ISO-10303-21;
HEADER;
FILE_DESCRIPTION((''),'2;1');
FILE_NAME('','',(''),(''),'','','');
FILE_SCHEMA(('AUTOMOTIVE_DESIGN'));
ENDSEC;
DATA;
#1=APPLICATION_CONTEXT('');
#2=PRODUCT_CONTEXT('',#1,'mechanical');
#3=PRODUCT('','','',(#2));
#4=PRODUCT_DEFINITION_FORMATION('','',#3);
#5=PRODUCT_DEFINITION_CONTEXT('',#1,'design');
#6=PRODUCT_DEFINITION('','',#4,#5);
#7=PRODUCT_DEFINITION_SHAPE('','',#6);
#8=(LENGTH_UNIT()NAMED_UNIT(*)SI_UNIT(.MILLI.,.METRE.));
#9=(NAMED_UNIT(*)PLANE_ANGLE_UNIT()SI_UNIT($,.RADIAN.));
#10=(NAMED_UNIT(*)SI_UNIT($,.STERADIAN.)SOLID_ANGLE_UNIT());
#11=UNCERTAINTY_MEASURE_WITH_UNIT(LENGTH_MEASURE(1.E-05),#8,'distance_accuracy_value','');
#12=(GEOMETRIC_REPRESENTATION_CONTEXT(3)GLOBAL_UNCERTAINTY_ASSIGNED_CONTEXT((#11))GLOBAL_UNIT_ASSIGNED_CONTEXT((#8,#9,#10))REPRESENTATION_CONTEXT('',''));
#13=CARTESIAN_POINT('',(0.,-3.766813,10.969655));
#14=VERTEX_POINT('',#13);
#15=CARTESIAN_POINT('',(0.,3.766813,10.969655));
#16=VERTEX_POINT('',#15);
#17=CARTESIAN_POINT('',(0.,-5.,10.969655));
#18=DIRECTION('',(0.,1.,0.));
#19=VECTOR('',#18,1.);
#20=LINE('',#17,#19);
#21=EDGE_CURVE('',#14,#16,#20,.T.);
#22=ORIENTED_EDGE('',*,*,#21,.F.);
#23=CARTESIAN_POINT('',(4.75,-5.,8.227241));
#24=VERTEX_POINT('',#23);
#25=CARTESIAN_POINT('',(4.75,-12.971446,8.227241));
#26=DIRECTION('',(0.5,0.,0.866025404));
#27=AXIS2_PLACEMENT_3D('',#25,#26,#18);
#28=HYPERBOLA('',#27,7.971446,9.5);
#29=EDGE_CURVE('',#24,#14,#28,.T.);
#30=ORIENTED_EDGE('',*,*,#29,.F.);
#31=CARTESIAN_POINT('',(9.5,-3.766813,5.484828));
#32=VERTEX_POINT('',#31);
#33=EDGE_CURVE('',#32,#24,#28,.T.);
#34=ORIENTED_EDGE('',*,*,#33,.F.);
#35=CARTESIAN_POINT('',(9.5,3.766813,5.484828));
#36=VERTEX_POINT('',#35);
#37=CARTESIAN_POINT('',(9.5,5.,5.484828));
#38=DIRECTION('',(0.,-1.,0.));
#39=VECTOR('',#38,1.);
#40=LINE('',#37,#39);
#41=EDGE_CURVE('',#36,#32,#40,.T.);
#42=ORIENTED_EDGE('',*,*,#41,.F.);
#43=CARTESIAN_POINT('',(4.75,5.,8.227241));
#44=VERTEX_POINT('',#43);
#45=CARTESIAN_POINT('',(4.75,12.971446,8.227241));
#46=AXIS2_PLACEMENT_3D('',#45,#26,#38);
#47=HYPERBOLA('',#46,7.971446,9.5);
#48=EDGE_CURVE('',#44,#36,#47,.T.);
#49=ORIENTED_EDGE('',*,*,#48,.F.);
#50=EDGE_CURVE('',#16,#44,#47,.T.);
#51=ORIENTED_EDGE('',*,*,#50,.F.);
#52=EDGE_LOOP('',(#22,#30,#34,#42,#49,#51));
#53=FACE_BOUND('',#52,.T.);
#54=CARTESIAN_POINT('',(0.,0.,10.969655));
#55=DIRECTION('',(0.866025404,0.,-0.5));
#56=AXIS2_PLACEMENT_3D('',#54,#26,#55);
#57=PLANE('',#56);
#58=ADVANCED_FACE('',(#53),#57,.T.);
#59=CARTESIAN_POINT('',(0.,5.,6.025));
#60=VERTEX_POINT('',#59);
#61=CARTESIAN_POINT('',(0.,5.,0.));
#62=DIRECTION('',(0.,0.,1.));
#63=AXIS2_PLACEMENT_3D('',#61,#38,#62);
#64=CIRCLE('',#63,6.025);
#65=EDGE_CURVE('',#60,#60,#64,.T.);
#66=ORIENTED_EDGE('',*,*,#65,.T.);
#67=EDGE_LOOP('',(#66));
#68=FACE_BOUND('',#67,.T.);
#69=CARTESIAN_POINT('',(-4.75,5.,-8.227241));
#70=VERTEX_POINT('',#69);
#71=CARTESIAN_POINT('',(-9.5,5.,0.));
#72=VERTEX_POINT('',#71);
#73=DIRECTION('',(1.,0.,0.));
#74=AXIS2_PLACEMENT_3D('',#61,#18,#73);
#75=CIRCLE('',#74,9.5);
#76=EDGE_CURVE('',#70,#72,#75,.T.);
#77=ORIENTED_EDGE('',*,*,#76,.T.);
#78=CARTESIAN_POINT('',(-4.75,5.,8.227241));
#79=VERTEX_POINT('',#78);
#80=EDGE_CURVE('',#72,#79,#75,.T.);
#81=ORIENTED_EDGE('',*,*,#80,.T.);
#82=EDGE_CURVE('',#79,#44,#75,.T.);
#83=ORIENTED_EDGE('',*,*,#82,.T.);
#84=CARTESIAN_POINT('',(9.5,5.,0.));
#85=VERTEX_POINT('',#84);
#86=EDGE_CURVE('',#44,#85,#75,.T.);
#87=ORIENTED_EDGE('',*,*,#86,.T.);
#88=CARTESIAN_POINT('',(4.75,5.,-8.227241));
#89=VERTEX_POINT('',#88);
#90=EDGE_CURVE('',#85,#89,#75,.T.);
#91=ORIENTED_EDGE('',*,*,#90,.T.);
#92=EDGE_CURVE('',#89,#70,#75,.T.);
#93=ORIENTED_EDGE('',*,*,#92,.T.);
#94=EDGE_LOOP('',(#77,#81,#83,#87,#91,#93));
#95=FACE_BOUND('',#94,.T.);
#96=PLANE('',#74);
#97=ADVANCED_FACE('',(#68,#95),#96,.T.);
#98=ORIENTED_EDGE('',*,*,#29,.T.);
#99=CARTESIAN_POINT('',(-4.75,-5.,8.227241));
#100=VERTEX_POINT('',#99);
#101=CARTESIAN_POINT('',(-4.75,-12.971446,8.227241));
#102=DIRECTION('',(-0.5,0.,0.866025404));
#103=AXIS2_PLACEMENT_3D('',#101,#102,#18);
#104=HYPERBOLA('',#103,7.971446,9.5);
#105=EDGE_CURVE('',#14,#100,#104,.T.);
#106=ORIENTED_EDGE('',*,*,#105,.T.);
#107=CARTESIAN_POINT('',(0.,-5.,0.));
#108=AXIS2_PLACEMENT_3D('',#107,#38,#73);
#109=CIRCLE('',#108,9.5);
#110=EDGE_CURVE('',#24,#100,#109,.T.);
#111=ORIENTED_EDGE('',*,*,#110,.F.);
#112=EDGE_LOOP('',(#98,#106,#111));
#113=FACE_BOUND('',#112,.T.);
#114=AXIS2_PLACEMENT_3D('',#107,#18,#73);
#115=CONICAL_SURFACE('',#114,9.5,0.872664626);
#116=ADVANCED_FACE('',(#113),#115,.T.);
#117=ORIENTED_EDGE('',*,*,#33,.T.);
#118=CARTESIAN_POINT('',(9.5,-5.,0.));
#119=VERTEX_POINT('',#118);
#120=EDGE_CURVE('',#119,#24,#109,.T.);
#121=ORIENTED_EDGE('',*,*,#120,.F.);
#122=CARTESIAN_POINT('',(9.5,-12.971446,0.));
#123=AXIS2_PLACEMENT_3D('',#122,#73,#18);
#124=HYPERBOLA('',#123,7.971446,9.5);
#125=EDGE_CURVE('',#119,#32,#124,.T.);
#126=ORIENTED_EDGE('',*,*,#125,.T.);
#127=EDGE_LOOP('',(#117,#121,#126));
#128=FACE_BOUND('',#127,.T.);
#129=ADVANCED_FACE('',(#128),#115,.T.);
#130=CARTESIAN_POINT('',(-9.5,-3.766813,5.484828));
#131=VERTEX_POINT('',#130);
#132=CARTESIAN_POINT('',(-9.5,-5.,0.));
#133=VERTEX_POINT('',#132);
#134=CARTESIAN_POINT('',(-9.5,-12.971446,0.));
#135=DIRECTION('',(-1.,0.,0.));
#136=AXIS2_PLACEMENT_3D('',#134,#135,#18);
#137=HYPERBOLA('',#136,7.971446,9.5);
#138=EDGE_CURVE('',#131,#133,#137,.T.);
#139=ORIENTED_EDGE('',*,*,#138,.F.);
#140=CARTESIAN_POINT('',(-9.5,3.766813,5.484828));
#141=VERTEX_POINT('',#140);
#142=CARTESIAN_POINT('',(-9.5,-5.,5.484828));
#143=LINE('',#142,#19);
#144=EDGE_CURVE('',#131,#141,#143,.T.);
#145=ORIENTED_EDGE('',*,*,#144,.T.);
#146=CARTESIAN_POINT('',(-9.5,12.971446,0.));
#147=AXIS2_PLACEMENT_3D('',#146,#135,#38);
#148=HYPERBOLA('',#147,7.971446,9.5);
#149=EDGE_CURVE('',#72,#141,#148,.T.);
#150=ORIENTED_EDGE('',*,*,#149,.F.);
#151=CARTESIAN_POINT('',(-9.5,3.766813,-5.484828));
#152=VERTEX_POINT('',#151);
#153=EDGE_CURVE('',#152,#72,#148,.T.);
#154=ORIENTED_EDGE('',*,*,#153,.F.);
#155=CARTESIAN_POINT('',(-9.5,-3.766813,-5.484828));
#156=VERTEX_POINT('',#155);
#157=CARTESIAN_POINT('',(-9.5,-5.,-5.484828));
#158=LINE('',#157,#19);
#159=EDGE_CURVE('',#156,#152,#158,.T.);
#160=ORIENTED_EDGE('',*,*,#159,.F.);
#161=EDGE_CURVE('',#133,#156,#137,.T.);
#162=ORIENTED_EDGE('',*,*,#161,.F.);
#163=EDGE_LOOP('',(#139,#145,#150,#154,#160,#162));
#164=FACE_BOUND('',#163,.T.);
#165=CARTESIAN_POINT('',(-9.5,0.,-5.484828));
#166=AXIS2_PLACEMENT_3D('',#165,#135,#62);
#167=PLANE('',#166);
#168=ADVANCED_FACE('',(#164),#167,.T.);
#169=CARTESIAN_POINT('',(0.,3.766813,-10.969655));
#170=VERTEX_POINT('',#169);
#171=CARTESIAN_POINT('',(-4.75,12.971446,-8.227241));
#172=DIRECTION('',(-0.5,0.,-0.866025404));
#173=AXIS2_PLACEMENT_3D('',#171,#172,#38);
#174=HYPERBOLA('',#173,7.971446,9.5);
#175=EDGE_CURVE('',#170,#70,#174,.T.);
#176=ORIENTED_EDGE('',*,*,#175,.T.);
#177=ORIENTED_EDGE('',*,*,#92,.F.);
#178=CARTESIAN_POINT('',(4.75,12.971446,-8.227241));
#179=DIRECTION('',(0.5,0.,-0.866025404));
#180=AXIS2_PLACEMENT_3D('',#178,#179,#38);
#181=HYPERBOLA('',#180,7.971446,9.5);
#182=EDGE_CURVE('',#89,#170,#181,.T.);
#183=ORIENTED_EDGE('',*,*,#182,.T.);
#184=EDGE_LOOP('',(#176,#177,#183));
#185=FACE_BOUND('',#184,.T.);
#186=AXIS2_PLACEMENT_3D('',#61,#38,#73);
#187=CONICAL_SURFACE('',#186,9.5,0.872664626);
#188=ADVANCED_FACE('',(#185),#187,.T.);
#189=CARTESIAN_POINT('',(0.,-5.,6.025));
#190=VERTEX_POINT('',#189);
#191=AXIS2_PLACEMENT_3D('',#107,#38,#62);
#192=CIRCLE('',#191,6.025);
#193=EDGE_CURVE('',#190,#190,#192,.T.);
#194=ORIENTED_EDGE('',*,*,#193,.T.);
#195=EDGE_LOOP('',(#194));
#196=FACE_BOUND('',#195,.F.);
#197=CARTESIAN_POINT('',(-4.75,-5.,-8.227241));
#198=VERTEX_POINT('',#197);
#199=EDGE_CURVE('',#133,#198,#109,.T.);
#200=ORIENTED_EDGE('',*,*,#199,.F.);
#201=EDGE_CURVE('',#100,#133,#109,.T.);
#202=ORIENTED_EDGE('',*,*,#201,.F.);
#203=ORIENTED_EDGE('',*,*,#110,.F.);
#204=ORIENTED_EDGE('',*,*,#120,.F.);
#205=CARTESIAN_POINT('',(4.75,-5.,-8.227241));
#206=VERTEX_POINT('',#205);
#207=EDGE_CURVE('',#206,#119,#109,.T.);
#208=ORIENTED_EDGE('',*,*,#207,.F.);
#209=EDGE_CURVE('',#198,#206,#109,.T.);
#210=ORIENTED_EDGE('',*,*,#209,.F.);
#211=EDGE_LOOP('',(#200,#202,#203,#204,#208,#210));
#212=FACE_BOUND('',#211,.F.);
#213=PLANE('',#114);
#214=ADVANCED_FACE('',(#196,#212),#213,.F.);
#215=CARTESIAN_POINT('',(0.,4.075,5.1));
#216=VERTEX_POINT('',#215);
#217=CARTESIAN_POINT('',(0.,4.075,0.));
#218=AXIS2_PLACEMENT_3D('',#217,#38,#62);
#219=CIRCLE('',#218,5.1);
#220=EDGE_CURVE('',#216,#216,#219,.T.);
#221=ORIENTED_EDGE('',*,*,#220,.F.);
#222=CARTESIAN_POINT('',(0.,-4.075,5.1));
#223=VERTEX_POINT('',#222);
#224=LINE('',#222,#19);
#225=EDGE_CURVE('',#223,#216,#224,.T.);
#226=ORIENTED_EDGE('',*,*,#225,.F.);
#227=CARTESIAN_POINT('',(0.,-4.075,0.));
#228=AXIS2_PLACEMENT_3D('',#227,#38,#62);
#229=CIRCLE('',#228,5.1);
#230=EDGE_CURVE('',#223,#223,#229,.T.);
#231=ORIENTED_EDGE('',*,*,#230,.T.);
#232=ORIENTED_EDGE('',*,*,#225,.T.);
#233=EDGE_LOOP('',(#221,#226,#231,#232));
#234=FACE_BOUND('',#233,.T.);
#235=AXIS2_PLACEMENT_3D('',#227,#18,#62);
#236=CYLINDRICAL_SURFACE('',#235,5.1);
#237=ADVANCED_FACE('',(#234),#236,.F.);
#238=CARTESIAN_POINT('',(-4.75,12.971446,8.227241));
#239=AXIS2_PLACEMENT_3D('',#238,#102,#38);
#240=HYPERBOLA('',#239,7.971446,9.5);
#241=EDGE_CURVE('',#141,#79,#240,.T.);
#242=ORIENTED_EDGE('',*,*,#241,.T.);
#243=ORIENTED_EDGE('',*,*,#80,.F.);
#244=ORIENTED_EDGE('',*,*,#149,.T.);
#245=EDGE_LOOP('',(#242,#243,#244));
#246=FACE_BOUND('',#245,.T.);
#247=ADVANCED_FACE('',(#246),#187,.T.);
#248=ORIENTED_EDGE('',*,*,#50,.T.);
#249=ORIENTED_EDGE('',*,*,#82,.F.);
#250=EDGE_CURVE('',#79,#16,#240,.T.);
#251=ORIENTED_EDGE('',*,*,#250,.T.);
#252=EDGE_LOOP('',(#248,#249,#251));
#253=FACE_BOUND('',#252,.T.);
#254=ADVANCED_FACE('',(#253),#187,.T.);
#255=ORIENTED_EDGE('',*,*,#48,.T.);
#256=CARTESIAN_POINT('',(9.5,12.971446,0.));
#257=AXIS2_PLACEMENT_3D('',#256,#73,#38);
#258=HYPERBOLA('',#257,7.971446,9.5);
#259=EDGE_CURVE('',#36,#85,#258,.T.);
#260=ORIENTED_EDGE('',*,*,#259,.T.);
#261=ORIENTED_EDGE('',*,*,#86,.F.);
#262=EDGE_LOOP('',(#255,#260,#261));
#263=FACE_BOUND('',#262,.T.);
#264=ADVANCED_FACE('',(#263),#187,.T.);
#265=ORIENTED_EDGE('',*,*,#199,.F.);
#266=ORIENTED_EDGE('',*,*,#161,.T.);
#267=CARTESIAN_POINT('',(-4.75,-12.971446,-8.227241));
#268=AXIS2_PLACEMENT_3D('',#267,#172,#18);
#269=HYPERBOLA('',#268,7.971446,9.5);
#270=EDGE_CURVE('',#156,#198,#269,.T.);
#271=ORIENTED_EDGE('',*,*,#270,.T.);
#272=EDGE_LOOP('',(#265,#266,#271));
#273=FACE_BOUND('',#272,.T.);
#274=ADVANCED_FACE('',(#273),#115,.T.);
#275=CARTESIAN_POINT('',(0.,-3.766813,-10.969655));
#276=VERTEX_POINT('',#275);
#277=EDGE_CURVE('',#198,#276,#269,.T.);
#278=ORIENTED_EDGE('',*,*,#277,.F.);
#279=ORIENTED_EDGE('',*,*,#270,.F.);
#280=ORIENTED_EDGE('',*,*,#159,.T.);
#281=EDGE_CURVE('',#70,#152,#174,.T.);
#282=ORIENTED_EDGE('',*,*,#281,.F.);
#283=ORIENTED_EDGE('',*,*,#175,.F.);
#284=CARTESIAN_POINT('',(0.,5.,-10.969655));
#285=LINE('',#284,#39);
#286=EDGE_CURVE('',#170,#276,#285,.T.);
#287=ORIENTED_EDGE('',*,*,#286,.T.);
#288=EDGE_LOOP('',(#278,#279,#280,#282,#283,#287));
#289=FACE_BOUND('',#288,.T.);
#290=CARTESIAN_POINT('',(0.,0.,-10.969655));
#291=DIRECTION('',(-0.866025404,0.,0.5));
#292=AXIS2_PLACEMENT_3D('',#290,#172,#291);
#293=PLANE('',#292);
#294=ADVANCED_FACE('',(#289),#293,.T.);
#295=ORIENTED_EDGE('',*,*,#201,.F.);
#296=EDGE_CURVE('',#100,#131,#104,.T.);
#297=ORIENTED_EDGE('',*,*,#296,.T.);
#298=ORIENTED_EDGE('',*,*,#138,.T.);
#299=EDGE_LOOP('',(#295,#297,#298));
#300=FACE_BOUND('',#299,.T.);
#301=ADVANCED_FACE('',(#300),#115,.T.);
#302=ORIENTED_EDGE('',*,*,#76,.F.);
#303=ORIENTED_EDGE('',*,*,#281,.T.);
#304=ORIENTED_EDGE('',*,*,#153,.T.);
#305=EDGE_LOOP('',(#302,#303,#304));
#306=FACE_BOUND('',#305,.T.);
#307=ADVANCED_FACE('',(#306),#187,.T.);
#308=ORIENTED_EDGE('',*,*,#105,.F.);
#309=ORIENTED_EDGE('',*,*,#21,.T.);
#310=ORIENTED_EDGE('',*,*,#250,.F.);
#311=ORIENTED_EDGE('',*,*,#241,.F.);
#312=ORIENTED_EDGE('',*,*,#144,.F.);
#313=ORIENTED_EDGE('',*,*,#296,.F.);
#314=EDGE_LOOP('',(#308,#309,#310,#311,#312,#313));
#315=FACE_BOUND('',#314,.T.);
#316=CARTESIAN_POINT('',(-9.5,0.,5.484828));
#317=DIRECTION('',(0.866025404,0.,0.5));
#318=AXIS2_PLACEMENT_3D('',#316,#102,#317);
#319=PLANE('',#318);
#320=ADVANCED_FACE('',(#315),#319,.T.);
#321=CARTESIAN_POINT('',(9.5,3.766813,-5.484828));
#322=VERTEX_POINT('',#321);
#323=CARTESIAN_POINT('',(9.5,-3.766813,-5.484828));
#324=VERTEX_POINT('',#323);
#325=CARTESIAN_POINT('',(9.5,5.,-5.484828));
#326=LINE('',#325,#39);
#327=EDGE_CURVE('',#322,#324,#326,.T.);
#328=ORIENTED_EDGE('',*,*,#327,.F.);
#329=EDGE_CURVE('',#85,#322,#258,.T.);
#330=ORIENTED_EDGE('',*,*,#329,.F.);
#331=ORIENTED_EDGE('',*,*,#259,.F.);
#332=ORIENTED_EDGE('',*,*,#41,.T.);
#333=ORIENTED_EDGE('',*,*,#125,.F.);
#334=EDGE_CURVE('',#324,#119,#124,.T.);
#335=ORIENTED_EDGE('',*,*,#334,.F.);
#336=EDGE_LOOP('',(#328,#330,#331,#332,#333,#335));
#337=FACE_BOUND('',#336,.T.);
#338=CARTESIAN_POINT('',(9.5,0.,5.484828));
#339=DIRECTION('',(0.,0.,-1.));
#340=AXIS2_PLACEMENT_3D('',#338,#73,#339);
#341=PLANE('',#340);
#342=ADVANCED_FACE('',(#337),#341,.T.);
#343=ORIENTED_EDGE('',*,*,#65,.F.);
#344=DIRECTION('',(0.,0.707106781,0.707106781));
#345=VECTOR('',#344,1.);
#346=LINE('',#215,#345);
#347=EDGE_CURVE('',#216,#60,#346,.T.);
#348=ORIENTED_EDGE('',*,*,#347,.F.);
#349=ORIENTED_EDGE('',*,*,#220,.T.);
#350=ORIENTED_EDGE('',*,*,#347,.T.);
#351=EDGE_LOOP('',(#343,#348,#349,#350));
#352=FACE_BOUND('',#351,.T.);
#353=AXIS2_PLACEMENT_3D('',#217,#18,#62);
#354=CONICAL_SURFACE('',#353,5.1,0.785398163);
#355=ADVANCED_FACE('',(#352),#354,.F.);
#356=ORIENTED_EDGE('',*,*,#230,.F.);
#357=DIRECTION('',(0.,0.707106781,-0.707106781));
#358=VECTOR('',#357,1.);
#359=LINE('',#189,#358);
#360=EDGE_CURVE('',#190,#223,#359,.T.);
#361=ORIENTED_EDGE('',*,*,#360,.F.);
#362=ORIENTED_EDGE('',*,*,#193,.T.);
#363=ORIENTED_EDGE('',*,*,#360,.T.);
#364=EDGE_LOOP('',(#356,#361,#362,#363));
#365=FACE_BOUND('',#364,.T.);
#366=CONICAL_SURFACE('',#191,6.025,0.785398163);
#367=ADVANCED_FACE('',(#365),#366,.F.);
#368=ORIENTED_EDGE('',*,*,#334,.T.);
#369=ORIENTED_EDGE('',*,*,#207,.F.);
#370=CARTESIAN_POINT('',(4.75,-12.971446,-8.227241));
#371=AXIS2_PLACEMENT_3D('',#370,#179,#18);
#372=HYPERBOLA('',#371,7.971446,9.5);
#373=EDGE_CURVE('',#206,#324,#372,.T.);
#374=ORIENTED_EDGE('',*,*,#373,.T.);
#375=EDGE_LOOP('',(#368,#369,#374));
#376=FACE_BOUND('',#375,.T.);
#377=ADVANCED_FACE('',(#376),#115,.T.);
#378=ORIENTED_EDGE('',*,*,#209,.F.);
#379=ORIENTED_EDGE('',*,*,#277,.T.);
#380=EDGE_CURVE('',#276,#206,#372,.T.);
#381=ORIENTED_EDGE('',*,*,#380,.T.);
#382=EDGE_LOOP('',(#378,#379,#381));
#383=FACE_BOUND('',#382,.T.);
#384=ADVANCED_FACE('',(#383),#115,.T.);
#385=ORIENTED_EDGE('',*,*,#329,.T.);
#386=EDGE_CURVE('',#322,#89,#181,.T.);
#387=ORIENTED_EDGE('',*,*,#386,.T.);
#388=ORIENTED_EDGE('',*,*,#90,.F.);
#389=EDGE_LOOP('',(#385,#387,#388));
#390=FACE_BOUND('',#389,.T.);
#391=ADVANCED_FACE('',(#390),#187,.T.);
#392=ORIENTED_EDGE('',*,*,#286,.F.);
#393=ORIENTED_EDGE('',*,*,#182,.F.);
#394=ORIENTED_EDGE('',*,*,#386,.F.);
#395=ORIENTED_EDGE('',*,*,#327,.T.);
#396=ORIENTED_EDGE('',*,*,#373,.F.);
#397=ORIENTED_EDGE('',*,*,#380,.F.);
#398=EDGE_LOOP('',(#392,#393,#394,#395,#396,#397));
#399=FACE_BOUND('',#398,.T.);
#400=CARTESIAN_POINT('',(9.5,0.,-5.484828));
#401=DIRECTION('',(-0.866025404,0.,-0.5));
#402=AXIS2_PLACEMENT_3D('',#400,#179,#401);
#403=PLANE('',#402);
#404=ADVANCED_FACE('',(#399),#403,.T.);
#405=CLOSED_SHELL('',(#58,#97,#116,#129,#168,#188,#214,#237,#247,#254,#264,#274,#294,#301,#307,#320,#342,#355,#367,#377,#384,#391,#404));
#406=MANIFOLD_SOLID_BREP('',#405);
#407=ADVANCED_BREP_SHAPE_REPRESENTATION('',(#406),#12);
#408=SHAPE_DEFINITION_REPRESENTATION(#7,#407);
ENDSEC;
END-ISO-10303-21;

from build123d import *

# Parameters (mm, degrees)
BOSS_EXTRUDE1_DEPTH     = 5
SKETCH5_OUTSIDE_W       = 50.974
SKETCH5_OUTSIDE_H       = 53.914
SKETCH5_OUTSIDE_R       = 9.5
CUT_EXTRUDE1_DEPTH      = 10
CUT_EXTRUDE1_DRAFT      = -50
MIRROR1_COPY_1_SKETCH_W = 50.974
MIRROR1_COPY_1_SKETCH_H = 53.914
MIRROR1_COPY_1_SKETCH_R = 9.5
MIRROR1_COPY_1_DEPTH    = 10
MIRROR1_COPY_1_DRAFT    = -50


with BuildPart() as part:
    # Sketch1 → Boss-Extrude1 (new, symmetric)
    with BuildSketch(Plane(origin=(0, 0, 0), x_dir=(1, 0, 0), z_dir=(0, 1, 0))):
        Polygon((0, 10.969655115), (-9.5, 5.484827557), (-9.5, -5.484827557), (0, -10.969655115), (9.5, -5.484827557), (9.5, 5.484827557), align=None)
    extrude(amount=BOSS_EXTRUDE1_DEPTH, both=True)

    # Sketch4 → M12 Tapped Hole1 (revolve, cut)
    with BuildSketch(Plane(origin=(0, 5, 0), x_dir=(0, 0, 1), z_dir=(1, 0, 0))):
        Polygon((0, 0), (0, 10), (6.025, 10), (5.1, 9.075), (5.1, 0.925), (6.025, 0), align=None)
    revolve(axis=Axis((0, 11.35, 0), (0, -1, 0)), mode=Mode.SUBTRACT)


with BuildPart() as cut_extrude1_tool:
    # Sketch5 outside → Cut-Extrude1 (with draft: the straight prism first)
    with BuildSketch(Plane(origin=(0, 5, 0), x_dir=(1, 0, 0), z_dir=(0, 1, 0))):
        Rectangle(SKETCH5_OUTSIDE_W, SKETCH5_OUTSIDE_H)
        Circle(SKETCH5_OUTSIDE_R, mode=Mode.SUBTRACT)
    extrude(amount=-CUT_EXTRUDE1_DEPTH)
    # Cut-Extrude1: the draft: its side faces are tilted about the plane it starts from
    cut_extrude1_sides = [cut_extrude1_tool.faces().sort_by_distance(p)[0] for p in [
        (0, 0, 26.957),
        (25.487, 0, 0),
        (0, 0, -26.957),
        (-25.487, 0, 0),
        (-9.5, 0, 0),
    ]]
    draft(cut_extrude1_sides, Plane(origin=(0, 5, 0), x_dir=(1, 0, 0), z_dir=(0, 1, 0)), CUT_EXTRUDE1_DRAFT)


with BuildPart() as part_1:
    add(part.part)

    # Cut-Extrude1: cut by cut_extrude1_tool
    add(cut_extrude1_tool.part, mode=Mode.SUBTRACT)


with BuildPart() as mirror1_copy_1_tool:
    # Mirror1 copy 1 sketch → Mirror1 copy 1 (with draft: the straight prism first)
    with BuildSketch(Plane.XZ.offset(5)):
        Rectangle(MIRROR1_COPY_1_SKETCH_W, MIRROR1_COPY_1_SKETCH_H)
        Circle(MIRROR1_COPY_1_SKETCH_R, mode=Mode.SUBTRACT)
    extrude(amount=-MIRROR1_COPY_1_DEPTH)
    # Mirror1 copy 1: the draft: its side faces are tilted about the plane it starts from
    mirror1_copy_1_sides = [mirror1_copy_1_tool.faces().sort_by_distance(p)[0] for p in [
        (0, 0, 26.957),
        (25.487, 0, 0),
        (0, 0, -26.957),
        (-25.487, 0, 0),
        (-9.5, 0, 0),
    ]]
    draft(mirror1_copy_1_sides, Plane.XZ.offset(5), MIRROR1_COPY_1_DRAFT)


with BuildPart() as part_2:
    add(part_1.part)

    # Mirror1 copy 1: cut by mirror1_copy_1_tool
    add(mirror1_copy_1_tool.part, mode=Mode.SUBTRACT)


solid = part_2.part
